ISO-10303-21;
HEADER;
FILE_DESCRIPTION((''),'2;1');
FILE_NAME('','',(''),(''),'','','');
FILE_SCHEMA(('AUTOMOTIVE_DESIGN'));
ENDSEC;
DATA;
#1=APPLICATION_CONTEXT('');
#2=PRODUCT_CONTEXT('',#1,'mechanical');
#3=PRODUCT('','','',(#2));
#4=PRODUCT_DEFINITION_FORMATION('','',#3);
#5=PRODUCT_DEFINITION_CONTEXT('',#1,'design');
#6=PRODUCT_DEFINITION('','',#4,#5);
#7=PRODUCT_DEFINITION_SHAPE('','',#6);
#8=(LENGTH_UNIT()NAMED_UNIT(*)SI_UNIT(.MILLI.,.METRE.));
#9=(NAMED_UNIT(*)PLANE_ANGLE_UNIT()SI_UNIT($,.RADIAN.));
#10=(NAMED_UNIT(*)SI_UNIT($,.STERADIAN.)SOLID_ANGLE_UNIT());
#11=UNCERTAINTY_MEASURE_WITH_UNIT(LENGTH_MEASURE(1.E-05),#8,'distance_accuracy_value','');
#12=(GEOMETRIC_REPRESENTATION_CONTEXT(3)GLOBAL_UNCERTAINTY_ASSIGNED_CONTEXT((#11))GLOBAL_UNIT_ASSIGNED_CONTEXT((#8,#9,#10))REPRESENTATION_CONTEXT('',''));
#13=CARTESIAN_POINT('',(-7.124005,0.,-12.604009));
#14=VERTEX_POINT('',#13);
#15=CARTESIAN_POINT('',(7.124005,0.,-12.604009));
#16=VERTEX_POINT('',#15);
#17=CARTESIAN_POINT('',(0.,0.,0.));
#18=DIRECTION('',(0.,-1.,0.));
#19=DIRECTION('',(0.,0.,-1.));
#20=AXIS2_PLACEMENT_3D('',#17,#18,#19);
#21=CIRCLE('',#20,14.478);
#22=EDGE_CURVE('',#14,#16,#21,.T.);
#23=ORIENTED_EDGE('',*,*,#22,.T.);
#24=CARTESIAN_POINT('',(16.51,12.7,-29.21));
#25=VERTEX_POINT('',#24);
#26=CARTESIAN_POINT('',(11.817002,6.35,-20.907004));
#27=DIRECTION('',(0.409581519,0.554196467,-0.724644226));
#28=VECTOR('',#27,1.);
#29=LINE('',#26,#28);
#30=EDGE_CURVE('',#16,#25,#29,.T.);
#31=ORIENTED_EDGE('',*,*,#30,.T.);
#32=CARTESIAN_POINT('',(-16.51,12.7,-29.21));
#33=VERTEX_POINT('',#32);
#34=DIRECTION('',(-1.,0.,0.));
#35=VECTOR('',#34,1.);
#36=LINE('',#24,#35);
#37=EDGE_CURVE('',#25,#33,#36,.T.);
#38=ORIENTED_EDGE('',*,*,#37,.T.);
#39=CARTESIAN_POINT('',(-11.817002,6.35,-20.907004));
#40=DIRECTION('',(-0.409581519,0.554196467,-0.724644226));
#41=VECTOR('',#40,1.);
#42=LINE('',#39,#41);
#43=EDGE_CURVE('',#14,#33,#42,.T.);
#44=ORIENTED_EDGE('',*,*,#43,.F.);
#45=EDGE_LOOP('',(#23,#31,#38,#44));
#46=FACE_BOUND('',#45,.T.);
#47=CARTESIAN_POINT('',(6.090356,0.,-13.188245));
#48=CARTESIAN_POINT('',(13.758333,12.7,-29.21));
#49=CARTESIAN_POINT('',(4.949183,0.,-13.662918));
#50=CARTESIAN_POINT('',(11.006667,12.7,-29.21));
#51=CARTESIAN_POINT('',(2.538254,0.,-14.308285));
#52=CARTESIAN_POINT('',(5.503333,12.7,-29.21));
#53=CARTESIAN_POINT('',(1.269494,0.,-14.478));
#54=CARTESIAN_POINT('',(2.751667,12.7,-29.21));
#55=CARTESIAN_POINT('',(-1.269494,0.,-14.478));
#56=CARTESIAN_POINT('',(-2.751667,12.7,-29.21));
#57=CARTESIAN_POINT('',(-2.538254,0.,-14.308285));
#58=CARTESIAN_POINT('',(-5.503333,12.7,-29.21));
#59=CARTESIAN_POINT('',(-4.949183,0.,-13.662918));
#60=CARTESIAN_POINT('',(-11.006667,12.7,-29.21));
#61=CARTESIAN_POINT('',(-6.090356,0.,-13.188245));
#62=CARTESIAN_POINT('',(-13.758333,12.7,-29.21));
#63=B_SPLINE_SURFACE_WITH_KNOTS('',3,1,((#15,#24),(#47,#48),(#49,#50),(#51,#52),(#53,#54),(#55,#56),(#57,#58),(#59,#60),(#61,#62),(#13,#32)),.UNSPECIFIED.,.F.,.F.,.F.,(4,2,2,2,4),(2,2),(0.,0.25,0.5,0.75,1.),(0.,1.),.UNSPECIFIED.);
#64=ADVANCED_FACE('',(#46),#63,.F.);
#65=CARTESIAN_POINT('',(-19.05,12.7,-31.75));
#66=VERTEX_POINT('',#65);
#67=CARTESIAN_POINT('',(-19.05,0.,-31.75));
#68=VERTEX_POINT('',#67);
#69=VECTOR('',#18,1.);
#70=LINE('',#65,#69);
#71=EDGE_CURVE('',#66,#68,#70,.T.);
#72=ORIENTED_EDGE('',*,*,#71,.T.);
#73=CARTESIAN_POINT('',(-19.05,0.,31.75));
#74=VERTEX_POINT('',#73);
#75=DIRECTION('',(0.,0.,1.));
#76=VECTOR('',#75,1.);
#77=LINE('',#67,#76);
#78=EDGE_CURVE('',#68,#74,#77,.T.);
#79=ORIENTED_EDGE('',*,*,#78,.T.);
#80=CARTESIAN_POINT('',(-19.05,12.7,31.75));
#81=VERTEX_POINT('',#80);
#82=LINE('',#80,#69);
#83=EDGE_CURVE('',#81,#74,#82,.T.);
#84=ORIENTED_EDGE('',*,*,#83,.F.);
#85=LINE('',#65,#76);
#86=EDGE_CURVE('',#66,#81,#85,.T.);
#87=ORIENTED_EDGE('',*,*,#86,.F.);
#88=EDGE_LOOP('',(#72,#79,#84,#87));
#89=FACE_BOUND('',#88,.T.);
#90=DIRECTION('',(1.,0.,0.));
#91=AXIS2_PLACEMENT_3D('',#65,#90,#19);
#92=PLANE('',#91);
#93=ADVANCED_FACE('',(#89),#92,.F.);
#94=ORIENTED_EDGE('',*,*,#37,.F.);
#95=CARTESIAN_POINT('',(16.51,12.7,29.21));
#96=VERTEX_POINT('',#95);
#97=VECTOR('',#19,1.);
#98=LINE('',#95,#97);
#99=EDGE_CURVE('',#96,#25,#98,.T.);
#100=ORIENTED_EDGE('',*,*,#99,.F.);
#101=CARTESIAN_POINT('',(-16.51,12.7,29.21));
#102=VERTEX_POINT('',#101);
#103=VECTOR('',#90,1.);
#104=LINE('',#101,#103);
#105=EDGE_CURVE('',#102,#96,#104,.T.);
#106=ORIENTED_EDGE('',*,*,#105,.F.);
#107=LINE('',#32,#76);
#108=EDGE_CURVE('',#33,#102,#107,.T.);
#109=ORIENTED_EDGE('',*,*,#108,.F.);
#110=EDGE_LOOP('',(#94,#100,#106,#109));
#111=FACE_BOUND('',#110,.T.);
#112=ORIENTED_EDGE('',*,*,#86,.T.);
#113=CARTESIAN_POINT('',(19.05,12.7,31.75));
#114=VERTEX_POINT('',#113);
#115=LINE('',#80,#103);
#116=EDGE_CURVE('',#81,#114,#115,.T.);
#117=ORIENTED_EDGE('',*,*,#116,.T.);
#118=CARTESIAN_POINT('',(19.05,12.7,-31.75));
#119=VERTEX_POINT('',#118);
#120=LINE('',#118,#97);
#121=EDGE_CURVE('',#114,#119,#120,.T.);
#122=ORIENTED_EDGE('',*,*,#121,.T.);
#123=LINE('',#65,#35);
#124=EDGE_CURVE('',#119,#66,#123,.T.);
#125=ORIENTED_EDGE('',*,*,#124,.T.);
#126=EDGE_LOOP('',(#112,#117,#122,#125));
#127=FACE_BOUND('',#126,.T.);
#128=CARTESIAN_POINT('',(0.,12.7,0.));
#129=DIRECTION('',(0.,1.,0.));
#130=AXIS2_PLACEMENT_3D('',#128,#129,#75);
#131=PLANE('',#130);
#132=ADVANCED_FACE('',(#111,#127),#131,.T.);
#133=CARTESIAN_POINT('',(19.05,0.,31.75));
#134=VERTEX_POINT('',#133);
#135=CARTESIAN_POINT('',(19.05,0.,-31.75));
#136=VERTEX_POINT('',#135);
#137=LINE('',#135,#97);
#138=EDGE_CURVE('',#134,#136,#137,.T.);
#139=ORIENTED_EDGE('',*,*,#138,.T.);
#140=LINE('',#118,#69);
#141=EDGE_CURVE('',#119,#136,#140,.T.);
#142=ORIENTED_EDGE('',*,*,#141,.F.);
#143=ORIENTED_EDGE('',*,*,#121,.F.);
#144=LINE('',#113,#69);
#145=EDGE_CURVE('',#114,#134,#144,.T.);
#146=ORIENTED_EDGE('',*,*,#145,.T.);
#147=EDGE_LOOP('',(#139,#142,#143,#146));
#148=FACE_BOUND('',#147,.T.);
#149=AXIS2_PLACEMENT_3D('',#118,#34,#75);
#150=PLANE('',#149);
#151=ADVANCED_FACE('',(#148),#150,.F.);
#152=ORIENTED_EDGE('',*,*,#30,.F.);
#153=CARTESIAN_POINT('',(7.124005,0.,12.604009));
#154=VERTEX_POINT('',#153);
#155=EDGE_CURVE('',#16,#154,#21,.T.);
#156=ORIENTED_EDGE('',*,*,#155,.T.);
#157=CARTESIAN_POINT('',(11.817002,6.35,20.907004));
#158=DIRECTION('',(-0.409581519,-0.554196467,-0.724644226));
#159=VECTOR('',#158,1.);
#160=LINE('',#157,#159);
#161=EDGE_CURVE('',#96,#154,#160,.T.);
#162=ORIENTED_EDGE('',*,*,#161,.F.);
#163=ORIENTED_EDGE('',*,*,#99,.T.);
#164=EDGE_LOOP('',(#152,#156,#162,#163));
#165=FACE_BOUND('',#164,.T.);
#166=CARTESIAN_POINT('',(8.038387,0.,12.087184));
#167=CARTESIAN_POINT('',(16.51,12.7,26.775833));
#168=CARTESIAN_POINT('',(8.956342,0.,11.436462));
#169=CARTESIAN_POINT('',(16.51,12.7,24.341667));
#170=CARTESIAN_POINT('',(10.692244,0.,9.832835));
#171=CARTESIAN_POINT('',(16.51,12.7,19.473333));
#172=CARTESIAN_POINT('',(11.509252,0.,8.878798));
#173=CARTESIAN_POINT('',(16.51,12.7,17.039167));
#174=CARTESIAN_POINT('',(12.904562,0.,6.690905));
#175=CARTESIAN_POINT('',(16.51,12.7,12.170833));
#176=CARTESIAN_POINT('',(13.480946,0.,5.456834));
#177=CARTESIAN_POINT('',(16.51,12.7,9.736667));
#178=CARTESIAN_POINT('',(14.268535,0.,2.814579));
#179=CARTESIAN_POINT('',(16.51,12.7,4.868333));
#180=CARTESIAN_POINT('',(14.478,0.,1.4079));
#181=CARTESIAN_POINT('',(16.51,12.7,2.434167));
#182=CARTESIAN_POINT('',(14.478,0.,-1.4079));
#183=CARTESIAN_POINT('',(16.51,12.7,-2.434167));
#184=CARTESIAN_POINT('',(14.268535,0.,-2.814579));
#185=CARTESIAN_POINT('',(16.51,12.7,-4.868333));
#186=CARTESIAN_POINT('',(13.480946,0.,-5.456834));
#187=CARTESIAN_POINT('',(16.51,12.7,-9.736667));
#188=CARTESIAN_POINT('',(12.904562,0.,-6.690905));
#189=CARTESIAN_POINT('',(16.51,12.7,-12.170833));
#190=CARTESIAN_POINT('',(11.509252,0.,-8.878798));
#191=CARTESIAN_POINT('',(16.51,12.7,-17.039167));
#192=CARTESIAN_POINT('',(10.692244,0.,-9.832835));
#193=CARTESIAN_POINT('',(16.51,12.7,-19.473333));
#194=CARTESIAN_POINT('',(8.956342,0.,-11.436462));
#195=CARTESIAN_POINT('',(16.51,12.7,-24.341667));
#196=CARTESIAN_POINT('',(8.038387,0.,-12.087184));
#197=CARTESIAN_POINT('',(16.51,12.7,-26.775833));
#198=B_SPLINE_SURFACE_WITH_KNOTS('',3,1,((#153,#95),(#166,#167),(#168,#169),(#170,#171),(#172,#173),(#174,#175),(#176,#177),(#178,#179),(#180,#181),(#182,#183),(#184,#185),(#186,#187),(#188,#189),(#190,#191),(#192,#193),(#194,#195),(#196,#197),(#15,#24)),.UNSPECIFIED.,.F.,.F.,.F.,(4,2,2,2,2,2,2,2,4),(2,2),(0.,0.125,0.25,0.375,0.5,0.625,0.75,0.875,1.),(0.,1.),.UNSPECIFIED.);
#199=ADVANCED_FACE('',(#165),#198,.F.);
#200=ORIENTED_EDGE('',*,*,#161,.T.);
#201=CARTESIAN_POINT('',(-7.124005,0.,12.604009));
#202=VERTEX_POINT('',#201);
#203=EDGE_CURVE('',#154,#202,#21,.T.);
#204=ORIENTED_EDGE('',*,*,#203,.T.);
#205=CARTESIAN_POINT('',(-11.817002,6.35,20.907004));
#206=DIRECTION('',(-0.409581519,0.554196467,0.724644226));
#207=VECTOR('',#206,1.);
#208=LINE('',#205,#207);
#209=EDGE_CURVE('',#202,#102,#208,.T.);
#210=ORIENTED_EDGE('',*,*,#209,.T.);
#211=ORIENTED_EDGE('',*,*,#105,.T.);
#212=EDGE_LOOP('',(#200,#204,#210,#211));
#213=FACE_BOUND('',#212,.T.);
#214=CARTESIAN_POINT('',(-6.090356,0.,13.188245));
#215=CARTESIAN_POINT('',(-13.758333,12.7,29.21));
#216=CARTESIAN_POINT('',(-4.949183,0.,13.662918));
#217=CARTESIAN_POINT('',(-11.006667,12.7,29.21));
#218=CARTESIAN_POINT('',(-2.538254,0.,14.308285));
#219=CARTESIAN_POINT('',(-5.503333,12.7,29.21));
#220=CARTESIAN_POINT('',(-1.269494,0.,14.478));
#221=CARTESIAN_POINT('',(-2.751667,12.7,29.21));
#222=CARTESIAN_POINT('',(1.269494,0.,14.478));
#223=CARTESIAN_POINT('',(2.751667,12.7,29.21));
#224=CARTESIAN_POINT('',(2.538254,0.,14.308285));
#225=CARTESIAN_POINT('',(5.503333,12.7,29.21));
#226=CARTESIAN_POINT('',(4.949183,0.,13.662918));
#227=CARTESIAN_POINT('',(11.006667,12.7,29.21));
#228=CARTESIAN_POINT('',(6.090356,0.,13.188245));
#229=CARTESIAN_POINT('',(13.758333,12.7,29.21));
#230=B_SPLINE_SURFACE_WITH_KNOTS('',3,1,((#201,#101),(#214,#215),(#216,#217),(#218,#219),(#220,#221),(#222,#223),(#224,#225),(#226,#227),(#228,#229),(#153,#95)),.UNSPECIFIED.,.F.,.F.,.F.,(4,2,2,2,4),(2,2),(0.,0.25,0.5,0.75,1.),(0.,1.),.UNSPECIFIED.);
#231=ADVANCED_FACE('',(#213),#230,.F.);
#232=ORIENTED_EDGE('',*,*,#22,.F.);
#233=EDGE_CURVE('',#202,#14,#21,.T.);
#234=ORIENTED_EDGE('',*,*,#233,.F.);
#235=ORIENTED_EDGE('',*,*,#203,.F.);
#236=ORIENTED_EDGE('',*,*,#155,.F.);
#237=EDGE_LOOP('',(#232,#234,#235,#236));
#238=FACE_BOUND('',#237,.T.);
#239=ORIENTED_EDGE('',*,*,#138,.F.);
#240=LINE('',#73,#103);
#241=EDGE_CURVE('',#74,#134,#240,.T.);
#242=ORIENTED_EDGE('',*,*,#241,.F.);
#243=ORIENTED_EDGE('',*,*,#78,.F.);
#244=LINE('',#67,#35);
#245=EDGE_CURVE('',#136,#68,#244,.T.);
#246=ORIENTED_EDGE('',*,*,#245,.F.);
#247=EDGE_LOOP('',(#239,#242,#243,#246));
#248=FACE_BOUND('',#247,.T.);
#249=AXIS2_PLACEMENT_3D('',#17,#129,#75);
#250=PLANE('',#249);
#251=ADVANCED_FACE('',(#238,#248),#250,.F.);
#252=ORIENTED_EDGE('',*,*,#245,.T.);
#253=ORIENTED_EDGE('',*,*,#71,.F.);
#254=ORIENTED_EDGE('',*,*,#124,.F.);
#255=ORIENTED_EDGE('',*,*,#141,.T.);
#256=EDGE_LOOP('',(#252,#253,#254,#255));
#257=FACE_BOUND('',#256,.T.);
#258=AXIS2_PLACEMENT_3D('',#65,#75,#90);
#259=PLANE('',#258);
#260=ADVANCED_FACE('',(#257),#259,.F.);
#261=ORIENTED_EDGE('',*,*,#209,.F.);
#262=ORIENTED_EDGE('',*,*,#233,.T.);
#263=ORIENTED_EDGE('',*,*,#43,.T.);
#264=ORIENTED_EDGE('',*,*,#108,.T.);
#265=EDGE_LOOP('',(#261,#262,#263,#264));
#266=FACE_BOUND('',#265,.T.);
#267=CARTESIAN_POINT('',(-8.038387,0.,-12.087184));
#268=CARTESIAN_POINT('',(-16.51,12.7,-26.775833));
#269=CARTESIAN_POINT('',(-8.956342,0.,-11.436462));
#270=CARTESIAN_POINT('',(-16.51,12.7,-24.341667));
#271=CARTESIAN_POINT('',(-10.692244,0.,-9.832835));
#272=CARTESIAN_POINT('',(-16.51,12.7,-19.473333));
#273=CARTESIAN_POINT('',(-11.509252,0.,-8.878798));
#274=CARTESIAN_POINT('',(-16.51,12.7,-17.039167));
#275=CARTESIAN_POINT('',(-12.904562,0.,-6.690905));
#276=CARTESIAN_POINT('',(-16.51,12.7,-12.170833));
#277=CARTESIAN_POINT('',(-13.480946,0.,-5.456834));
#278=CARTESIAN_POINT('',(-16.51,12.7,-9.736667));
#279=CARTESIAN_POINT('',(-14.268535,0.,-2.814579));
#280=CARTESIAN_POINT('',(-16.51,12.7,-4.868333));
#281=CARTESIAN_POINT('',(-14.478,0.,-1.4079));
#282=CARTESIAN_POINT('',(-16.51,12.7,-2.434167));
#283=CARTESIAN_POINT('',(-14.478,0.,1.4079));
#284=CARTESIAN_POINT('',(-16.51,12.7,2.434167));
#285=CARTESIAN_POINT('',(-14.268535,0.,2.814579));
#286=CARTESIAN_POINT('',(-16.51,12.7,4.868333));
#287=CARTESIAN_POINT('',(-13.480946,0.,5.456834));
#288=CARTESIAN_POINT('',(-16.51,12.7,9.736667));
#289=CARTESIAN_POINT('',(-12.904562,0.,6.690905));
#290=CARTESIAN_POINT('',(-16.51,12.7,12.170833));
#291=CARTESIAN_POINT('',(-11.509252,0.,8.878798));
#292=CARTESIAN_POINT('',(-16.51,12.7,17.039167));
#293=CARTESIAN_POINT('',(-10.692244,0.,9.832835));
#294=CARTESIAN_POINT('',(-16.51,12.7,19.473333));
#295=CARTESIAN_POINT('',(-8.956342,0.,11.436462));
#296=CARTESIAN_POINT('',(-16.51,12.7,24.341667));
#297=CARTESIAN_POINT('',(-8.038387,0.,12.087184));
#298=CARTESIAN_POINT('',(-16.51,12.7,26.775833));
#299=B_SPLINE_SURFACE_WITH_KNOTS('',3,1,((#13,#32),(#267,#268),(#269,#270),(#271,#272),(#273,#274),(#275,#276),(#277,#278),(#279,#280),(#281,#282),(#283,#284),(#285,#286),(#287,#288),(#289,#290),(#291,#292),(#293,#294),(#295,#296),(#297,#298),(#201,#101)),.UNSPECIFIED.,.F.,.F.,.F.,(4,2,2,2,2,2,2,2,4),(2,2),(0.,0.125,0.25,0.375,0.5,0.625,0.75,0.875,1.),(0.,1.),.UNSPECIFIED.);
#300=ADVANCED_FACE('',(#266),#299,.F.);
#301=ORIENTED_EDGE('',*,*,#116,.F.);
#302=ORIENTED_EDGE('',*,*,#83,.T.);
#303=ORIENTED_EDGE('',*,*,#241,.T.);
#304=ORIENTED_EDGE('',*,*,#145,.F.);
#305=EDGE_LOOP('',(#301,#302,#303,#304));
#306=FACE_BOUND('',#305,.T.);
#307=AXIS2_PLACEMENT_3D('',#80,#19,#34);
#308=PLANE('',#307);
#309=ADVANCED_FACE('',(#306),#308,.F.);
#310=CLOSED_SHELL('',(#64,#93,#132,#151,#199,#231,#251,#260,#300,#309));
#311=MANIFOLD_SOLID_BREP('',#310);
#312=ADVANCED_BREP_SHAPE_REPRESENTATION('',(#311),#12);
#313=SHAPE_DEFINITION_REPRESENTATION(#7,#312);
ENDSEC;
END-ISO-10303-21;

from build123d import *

# Parameters (mm, degrees)
SKETCH1_W           = 38.1
SKETCH1_H           = 63.5
BOSS_EXTRUDE1_DEPTH = 12.7


with BuildPart() as part:
    # Sketch1 → Boss-Extrude1 (new body)
    with BuildSketch(Plane(origin=(0, 0, 0), x_dir=(1, 0, 0), z_dir=(0, 1, 0))):
        Rectangle(SKETCH1_W, SKETCH1_H)
    extrude(amount=BOSS_EXTRUDE1_DEPTH)

    # Sketch2 for Cut-Loft1 → Cut-Loft1 section 0
    with BuildSketch(Plane.XZ):
        with BuildLine():
            # circular arc as an exact rational Bezier (weights 1, cos(half-angle), 1)
            Bezier((-7.124004962, 12.604008779), (0, 16.630620279), (7.124004962, 12.604008779), weights=[1, 0.870562839, 1])
            Bezier((7.124004962, 12.604008779), (29.42340511, 0), (7.124004962, -12.604008779), weights=[1, 0.492057257, 1])
            Bezier((7.124004962, -12.604008779), (0, -16.630620279), (-7.124004962, -12.604008779), weights=[1, 0.870562839, 1])
            Bezier((-7.124004962, -12.604008779), (-29.42340511, 0), (-7.124004962, 12.604008779), weights=[1, 0.492057257, 1])
        make_face()
    # Sketch4 → Cut-Loft1 section 1
    with BuildSketch(Plane(origin=(0, 12.7, 0), x_dir=(1, 0, 0), z_dir=(0, 1, 0))):
        with BuildLine():
            Line((-16.51, -29.21), (16.51, -29.21))
            Line((16.51, -29.21), (16.51, 29.21))
            Line((16.51, 29.21), (-16.51, 29.21))
            Line((-16.51, 29.21), (-16.51, -29.21))
        make_face()
    loft(mode=Mode.SUBTRACT)


solid = part.part
